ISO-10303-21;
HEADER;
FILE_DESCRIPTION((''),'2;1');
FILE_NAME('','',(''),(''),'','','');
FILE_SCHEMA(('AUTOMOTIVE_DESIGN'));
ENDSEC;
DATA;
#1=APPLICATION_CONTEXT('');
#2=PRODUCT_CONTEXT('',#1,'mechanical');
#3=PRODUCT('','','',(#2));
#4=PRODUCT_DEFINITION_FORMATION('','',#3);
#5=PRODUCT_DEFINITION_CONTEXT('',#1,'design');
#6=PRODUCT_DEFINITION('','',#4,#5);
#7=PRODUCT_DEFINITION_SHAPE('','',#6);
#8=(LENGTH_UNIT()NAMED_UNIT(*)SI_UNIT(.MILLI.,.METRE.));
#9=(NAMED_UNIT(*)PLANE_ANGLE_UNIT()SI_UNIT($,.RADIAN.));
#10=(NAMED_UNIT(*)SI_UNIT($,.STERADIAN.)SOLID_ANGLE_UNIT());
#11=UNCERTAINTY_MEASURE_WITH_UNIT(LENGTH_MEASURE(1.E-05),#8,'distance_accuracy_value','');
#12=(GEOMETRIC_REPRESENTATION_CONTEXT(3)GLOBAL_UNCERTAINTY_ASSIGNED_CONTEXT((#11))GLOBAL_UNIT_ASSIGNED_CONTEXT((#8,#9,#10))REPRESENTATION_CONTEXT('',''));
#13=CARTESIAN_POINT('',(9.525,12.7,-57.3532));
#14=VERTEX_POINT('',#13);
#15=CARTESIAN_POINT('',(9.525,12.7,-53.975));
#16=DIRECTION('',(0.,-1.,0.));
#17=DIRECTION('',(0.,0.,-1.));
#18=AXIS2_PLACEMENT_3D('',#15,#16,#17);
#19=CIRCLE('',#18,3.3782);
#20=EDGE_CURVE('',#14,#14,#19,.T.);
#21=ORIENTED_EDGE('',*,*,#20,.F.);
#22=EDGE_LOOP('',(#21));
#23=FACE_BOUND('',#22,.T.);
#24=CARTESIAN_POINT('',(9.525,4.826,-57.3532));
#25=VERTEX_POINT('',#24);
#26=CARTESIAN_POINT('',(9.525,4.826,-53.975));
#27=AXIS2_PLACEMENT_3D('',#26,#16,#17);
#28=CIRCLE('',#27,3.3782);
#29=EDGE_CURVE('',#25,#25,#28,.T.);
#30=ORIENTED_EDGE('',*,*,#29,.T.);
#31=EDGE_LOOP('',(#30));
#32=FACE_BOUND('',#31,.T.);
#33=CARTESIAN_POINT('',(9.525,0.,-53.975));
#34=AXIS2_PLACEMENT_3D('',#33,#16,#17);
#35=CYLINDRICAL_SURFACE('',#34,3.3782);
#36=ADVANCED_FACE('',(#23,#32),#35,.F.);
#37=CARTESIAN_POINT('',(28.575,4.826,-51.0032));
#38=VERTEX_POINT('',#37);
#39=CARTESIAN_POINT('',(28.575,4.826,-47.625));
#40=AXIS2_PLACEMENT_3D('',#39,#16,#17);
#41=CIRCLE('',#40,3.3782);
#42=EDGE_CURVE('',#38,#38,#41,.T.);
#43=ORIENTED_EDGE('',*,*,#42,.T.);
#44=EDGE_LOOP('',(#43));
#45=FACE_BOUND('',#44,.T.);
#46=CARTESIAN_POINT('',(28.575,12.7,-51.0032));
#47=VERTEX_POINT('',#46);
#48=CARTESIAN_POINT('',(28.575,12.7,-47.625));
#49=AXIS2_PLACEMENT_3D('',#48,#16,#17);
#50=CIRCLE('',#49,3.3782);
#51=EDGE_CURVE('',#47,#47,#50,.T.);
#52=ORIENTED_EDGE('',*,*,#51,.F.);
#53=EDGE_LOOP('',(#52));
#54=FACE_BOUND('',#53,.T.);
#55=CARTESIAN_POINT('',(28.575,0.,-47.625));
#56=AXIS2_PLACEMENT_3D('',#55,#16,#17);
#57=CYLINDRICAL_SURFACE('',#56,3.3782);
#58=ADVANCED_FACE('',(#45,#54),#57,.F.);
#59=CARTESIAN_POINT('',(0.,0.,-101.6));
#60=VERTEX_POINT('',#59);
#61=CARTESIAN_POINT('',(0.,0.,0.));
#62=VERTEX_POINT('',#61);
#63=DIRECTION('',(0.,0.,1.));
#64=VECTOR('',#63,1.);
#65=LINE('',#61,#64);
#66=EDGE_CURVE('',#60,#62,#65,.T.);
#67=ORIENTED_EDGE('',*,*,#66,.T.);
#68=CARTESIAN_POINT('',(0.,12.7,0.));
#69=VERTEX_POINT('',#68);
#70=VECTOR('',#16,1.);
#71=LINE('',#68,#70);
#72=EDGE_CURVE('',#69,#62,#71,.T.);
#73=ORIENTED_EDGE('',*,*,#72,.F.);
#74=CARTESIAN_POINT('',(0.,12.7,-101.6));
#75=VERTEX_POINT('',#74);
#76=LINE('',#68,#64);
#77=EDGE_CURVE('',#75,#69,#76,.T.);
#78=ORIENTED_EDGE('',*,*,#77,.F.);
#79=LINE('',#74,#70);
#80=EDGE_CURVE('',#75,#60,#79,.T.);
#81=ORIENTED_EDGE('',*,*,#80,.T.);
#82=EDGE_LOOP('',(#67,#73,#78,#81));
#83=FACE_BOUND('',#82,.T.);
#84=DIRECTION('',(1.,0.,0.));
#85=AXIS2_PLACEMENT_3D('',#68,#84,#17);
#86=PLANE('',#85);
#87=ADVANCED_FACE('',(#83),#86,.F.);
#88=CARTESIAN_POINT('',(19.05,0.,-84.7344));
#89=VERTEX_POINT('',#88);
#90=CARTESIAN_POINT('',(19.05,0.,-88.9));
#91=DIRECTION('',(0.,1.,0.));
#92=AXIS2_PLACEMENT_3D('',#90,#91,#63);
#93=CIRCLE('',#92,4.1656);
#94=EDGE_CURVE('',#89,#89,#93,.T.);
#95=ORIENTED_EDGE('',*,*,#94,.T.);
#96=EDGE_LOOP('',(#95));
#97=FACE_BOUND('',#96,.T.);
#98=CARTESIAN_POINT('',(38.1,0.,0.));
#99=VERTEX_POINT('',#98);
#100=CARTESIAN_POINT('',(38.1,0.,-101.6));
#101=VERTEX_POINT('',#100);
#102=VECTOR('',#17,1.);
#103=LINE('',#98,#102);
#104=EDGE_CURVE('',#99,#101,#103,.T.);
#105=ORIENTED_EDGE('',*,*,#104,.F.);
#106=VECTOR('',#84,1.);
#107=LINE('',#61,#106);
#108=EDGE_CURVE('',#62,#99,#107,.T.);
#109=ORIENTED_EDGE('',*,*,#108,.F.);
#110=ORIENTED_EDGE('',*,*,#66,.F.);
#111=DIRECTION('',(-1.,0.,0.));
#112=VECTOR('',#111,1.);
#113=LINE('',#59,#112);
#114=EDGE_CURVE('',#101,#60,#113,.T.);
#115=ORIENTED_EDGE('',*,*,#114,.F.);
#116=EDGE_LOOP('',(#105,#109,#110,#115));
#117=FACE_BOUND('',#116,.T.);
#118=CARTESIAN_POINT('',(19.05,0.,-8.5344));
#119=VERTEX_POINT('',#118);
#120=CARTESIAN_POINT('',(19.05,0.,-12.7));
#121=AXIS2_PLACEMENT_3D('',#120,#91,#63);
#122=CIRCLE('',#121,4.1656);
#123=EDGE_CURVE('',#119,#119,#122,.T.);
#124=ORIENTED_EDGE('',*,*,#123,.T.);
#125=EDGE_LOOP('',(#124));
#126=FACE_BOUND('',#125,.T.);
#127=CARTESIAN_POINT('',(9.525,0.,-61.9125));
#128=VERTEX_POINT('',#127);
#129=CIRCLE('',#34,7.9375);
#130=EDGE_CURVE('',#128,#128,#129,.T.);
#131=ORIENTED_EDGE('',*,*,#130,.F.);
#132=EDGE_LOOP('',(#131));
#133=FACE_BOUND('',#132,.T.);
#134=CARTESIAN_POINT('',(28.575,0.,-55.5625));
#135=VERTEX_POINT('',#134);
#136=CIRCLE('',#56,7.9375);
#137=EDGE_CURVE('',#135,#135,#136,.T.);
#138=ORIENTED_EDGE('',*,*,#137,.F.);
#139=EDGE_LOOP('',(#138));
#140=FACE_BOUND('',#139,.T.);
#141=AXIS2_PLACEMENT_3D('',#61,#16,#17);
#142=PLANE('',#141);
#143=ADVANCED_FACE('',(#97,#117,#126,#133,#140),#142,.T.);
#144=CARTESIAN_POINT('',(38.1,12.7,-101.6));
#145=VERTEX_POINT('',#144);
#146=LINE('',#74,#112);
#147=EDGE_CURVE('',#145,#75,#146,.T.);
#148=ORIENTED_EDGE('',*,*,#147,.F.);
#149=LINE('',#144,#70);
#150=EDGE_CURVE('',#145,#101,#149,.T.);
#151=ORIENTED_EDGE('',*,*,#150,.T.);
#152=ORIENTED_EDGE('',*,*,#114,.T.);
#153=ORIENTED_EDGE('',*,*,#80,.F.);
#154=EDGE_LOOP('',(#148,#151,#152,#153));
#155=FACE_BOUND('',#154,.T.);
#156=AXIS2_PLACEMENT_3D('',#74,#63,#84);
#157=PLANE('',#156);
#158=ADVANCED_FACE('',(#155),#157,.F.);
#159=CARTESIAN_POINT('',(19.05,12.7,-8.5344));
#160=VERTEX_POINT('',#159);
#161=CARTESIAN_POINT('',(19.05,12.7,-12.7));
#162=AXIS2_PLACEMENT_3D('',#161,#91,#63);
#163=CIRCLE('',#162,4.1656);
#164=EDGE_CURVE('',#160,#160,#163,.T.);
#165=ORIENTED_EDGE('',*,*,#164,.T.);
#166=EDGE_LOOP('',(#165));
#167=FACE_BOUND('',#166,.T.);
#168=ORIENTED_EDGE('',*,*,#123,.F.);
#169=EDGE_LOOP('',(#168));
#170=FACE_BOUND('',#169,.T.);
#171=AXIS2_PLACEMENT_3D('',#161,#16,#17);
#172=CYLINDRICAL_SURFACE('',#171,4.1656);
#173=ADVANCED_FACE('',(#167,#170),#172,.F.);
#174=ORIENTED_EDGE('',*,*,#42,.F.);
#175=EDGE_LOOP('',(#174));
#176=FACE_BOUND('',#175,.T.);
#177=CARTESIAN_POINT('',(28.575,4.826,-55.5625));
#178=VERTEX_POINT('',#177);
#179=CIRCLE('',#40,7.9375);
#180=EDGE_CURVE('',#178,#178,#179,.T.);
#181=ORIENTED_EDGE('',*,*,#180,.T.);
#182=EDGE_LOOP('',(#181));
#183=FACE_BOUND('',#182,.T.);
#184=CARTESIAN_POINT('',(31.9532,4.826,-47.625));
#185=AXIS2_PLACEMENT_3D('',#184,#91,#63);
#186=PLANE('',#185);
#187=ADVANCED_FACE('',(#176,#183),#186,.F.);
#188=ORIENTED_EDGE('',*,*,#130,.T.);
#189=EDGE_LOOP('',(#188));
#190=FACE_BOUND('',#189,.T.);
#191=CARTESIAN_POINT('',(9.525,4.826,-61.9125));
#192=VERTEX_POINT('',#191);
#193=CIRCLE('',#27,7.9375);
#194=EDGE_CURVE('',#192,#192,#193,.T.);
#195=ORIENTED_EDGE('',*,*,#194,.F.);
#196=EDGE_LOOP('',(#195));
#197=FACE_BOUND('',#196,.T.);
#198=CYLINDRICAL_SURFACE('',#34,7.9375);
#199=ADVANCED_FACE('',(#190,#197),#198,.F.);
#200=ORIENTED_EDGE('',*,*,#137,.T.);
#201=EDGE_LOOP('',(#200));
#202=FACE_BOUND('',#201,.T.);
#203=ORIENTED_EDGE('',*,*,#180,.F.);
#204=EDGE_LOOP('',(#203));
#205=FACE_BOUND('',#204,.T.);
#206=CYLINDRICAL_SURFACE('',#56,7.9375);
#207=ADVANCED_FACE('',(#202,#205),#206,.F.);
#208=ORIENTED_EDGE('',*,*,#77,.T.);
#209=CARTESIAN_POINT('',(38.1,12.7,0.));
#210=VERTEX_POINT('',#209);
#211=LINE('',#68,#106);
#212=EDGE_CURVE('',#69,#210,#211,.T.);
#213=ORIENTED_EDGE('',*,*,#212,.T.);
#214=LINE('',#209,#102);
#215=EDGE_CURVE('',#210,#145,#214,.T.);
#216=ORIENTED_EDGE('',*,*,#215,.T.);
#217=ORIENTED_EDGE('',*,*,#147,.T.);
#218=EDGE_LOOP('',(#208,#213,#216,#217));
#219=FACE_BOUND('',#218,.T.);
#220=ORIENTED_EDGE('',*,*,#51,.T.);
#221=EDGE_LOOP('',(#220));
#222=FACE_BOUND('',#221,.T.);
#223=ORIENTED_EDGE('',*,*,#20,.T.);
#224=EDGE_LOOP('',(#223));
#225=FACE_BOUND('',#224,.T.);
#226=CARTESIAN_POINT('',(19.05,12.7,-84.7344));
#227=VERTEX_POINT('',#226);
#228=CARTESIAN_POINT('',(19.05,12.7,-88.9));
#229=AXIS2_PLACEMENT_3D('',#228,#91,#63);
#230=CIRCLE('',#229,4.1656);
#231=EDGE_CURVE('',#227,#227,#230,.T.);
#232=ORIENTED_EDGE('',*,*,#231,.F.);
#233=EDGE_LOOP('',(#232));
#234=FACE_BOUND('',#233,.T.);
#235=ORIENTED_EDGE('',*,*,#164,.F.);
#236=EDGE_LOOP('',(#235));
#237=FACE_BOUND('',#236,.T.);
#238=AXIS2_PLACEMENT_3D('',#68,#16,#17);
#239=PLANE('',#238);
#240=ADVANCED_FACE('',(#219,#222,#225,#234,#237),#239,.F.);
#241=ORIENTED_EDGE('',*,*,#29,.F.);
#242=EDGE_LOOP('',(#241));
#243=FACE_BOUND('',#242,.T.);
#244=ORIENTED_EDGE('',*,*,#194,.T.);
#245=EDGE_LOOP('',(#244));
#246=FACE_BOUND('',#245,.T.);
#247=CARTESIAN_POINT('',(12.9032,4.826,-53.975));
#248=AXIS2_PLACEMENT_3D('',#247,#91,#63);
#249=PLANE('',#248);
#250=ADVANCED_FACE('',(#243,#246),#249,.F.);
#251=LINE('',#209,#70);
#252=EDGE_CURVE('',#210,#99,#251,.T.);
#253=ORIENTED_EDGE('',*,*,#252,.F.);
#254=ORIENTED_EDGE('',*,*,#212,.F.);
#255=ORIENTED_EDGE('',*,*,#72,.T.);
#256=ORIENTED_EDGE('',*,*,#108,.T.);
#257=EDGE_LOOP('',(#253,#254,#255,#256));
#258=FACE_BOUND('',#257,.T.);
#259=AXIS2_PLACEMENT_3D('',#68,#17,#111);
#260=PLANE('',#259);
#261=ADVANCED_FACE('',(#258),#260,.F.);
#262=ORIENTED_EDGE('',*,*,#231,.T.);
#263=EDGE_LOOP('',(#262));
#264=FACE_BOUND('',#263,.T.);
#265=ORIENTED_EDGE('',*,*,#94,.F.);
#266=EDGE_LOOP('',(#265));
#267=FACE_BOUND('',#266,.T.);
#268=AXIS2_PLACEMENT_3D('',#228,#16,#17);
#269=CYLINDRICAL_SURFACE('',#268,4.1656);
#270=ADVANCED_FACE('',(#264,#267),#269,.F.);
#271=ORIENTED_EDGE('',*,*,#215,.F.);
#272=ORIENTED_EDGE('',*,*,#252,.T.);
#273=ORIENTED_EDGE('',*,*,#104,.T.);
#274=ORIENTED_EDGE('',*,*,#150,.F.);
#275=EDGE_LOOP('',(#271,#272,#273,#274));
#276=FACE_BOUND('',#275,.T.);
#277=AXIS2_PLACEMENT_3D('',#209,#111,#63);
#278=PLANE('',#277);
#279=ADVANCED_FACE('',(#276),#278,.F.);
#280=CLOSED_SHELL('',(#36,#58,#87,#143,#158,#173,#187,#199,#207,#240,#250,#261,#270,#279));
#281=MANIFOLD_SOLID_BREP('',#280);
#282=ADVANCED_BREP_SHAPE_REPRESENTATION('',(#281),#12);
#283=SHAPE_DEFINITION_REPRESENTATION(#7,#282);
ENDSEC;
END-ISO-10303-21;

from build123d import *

# Parameters (mm, degrees)
SKETCH1_W                                    = 38.1
SKETCH1_H                                    = 101.6
SKETCH1_R                                    = 4.1656
BOSS_EXTRUDE1_DEPTH                          = 12.7
CBORE_FOR_1_4_HEX_MACHINE_SCREW1_D           = 6.7564
CBORE_FOR_1_4_HEX_MACHINE_SCREW1_CBORE_D     = 15.875
CBORE_FOR_1_4_HEX_MACHINE_SCREW1_CBORE_DEPTH = 4.826


with BuildPart() as part:
    # Sketch1 → Boss-Extrude1 (new body)
    with BuildSketch(Plane(origin=(0, 0, 0), x_dir=(1, 0, 0), z_dir=(0, 1, 0))):
        with Locations((19.05, 50.8)):
            Rectangle(SKETCH1_W, SKETCH1_H)
        with Locations(Location((19.05, 88.9, 0), (0, 0, 270))):
            Circle(SKETCH1_R, mode=Mode.SUBTRACT)
        with Locations(Location((19.05, 12.7, 0), (0, 0, 270))):
            Circle(SKETCH1_R, mode=Mode.SUBTRACT)
    extrude(amount=BOSS_EXTRUDE1_DEPTH)

    # CBORE for 1/4 Hex Machine Screw1 (through all)
    with Locations(Plane(origin=(0, 0, 0), x_dir=(-1, 0, 0), z_dir=(0, -1, 0))):
        with Locations((-28.575, 47.625), (-9.525, 53.975)):
            CounterBoreHole(CBORE_FOR_1_4_HEX_MACHINE_SCREW1_D / 2, CBORE_FOR_1_4_HEX_MACHINE_SCREW1_CBORE_D / 2, CBORE_FOR_1_4_HEX_MACHINE_SCREW1_CBORE_DEPTH)


solid = part.part
